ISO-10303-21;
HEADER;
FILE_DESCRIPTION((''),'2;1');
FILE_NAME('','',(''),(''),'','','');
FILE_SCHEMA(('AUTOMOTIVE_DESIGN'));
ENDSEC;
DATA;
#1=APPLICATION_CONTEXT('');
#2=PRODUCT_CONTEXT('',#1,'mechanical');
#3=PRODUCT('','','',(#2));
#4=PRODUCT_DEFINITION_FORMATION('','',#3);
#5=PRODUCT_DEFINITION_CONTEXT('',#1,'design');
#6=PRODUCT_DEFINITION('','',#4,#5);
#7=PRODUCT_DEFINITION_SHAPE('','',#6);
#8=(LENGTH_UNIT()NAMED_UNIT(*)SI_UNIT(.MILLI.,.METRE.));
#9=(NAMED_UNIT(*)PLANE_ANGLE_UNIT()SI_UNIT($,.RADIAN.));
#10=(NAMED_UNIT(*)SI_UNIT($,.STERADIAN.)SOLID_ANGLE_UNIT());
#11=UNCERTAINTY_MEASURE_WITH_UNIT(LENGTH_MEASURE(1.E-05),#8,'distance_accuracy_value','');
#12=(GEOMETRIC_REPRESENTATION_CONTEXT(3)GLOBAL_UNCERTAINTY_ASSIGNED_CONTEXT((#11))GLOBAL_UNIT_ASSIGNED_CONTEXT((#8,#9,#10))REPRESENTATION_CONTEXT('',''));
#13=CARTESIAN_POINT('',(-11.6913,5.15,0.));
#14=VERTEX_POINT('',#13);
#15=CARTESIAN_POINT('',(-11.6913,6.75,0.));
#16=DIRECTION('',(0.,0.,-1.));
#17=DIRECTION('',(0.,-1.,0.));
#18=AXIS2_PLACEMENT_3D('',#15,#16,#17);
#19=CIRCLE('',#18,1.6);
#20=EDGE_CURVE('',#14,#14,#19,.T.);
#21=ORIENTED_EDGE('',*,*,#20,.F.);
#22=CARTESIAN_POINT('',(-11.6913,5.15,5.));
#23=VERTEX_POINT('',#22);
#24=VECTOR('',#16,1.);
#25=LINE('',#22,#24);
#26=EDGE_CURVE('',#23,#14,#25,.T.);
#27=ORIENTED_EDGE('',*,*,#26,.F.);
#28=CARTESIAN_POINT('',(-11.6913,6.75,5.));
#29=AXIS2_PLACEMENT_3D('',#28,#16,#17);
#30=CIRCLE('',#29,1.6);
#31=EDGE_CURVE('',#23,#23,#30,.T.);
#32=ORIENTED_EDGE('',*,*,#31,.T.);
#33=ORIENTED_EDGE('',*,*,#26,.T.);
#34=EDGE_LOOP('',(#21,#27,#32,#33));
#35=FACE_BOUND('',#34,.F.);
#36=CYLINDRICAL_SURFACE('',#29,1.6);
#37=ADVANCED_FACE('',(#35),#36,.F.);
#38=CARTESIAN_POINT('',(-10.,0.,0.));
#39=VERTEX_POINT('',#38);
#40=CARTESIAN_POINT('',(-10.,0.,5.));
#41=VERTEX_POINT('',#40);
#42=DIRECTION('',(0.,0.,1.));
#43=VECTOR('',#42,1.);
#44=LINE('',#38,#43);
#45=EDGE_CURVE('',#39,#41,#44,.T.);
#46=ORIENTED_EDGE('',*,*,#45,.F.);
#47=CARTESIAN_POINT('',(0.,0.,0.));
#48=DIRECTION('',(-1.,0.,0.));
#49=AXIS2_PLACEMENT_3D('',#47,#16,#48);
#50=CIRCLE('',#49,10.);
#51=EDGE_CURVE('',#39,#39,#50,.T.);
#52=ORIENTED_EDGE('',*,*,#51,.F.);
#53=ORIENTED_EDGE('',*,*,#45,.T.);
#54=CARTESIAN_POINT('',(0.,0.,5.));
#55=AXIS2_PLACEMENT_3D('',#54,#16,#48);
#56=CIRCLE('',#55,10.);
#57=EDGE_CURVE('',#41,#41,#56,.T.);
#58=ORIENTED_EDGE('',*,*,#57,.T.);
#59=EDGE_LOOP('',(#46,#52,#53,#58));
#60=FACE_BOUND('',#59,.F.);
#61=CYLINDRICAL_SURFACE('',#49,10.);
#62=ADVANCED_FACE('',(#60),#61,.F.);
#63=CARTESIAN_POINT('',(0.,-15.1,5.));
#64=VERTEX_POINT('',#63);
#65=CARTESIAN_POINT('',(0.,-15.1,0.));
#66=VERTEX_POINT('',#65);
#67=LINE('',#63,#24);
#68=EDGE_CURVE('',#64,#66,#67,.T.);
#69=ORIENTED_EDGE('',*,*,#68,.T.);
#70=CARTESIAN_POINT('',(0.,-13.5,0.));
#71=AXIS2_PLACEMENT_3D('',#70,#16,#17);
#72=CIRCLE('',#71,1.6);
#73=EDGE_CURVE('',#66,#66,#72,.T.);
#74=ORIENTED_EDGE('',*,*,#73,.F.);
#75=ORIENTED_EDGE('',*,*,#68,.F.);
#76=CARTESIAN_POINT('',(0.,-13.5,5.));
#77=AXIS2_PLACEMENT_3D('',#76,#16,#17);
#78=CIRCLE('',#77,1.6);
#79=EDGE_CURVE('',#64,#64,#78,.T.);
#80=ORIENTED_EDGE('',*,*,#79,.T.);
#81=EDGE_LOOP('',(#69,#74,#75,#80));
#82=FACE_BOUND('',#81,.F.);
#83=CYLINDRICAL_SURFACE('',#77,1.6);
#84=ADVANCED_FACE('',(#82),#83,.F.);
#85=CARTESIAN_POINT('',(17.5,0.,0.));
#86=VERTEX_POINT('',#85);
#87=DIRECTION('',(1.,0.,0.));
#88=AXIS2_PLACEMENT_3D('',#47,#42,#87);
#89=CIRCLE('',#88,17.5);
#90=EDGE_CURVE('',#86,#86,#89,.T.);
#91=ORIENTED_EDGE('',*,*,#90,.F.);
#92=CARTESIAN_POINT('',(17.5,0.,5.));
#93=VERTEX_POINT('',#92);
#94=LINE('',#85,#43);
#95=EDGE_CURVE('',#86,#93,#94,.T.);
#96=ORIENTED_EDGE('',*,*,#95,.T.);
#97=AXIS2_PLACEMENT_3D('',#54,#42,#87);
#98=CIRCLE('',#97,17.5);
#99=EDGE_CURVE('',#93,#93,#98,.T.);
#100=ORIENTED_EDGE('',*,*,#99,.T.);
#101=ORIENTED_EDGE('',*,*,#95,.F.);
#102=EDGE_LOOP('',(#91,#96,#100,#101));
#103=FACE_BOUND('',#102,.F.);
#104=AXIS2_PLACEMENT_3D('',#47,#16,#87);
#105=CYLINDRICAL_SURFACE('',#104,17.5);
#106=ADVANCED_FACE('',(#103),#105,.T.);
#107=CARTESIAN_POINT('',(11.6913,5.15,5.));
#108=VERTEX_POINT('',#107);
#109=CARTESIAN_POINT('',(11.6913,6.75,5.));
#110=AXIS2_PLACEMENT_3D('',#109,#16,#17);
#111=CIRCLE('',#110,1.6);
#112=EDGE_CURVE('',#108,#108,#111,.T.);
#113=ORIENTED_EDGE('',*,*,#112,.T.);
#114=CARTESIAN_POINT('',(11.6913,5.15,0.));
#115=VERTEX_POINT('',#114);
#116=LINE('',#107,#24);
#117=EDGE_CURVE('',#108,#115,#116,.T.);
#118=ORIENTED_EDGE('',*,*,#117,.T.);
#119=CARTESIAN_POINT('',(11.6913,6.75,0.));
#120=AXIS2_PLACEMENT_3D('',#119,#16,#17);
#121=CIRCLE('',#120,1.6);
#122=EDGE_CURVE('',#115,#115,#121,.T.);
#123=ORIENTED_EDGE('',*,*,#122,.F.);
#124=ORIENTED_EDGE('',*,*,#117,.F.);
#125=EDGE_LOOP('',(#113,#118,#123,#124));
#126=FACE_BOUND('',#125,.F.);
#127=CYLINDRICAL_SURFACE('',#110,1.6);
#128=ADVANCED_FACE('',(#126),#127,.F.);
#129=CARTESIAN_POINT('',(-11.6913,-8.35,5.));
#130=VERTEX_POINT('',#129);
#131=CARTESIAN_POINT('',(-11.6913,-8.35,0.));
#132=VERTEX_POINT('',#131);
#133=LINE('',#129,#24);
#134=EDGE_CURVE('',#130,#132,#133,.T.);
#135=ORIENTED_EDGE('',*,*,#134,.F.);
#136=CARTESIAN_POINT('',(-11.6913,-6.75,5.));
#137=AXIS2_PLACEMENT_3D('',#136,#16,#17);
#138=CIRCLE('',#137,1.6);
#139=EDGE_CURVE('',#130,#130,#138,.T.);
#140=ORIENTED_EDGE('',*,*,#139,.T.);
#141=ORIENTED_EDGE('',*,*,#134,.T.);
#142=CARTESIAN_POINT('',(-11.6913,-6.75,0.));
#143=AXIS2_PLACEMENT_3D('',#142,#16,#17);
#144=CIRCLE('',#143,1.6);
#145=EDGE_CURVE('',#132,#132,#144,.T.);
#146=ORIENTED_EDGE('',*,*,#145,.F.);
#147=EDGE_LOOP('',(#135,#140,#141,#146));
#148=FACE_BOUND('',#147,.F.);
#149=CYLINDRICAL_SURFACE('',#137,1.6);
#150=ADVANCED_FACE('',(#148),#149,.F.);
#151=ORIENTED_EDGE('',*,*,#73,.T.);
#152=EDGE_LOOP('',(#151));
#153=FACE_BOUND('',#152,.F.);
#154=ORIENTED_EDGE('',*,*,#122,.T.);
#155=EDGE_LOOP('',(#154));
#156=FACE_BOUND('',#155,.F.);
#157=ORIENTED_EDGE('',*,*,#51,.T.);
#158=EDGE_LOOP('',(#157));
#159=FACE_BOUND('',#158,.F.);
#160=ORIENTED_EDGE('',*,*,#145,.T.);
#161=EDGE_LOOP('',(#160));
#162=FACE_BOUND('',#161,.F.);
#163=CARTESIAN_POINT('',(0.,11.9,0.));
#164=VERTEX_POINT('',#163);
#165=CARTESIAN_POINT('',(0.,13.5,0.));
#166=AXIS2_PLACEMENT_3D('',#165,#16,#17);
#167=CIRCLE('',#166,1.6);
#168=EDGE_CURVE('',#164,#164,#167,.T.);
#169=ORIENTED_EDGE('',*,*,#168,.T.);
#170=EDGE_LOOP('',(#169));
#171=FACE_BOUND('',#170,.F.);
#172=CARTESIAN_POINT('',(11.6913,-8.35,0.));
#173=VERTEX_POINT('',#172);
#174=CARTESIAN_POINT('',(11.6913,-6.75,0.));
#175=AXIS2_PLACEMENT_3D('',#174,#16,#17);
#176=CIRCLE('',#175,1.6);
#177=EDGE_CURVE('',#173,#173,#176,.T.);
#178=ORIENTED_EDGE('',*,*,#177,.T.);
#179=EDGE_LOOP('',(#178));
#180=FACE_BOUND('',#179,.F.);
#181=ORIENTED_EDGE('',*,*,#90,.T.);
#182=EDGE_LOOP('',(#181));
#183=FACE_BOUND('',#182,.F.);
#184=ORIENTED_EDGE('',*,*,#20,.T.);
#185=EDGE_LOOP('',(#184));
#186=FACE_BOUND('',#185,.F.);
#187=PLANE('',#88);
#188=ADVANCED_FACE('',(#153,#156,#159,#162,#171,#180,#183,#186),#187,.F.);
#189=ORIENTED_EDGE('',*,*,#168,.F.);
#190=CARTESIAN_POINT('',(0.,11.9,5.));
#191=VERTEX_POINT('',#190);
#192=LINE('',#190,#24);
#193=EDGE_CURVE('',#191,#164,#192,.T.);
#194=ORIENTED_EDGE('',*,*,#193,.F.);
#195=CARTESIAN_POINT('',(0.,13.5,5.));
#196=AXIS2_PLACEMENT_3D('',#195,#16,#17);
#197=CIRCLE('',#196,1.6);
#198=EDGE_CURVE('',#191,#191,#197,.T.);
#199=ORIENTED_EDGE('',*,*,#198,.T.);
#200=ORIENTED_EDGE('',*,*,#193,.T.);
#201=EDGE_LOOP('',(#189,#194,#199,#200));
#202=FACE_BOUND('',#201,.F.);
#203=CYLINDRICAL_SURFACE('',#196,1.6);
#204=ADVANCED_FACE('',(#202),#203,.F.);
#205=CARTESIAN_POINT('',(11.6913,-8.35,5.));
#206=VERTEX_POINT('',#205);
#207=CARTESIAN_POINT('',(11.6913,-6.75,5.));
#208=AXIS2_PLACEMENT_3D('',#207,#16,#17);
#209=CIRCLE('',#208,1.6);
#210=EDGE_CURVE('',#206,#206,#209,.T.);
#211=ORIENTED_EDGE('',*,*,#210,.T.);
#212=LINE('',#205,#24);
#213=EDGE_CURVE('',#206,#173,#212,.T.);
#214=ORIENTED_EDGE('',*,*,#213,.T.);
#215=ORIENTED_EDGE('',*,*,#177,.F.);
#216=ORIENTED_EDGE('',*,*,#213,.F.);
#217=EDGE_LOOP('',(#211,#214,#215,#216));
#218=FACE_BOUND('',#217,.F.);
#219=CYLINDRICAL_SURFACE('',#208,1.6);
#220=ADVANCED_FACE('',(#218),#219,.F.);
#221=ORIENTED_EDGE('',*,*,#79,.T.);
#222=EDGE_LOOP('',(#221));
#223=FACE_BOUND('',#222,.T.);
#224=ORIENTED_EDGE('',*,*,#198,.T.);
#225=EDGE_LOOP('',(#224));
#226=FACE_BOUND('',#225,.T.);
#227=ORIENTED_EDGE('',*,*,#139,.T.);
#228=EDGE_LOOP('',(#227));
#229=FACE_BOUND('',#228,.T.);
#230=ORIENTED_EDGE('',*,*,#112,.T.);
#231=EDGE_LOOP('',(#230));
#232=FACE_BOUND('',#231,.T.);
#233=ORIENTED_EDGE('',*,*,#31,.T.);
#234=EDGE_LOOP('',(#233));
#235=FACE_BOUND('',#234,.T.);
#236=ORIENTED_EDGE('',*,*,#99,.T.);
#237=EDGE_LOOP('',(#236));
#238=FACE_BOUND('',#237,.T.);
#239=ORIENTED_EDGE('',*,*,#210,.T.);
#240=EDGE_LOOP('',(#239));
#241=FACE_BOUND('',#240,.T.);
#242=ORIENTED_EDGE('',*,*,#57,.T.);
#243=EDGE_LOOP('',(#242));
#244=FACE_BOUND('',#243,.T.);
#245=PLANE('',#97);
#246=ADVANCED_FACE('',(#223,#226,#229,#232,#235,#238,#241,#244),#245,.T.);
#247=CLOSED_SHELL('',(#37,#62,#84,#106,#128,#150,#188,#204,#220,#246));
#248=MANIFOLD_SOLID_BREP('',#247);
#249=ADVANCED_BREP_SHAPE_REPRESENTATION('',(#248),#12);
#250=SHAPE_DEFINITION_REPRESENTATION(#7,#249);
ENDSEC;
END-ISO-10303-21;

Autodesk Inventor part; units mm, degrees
ref_plane "YZ Plane" through (0, 0, 0) normal (1, 0, 0) x (0, 1, 0)
ref_plane "XZ Plane" through (0, 0, 0) normal (0, 1, 0) x (-1, 0, 0)
ref_plane "XY Plane" through (0, 0, 0) normal (0, 0, 1) x (1, 0, 0)
sketch "スケッチ1" plane through (0, 0, 0) normal (0, 0, 1) x (1, 0, 0)
  circle A0 centre (0, 0) radius 17.5
  dimension "d0" = 35
extrude "押し出し1" add sketch "スケッチ1" along normal blind 5
sketch "スケッチ2" plane through (0, 0, 5) normal (0, 0, 1) x (1, 0, 0)
  circle A0 centre (0, 0) radius 13.5
  point P0 (0, 13.5)
  point P1 (-11.6913, 6.75)
  point P2 (-11.6913, -6.75)
  point P3 (0, -13.5)
  point P4 (11.6913, -6.75)
  point P5 (11.6913, 6.75)
  dimension "d3" = 27
  dimension "d6" = 360
hole "穴1" at (0, 13.5, 5) at (-11.6913, 6.75, 5) at (-11.6913, -6.75, 5) at (0, -13.5, 5) at (11.6913, -6.75, 5) at (11.6913, 6.75, 5) direction (0, 0, -1) diameter 3.2 end through all
sketch "スケッチ3" plane through (0, 0, 0) normal (0, 0, -1) x (-1, 0, 0)
  circle A0 centre (0, 0) radius 10
  dimension "d15" = 20
extrude "押し出し2" cut sketch "スケッチ3" against normal blind 5
properties part number "servohorn_forR0" material "アルミニウム 6061"
